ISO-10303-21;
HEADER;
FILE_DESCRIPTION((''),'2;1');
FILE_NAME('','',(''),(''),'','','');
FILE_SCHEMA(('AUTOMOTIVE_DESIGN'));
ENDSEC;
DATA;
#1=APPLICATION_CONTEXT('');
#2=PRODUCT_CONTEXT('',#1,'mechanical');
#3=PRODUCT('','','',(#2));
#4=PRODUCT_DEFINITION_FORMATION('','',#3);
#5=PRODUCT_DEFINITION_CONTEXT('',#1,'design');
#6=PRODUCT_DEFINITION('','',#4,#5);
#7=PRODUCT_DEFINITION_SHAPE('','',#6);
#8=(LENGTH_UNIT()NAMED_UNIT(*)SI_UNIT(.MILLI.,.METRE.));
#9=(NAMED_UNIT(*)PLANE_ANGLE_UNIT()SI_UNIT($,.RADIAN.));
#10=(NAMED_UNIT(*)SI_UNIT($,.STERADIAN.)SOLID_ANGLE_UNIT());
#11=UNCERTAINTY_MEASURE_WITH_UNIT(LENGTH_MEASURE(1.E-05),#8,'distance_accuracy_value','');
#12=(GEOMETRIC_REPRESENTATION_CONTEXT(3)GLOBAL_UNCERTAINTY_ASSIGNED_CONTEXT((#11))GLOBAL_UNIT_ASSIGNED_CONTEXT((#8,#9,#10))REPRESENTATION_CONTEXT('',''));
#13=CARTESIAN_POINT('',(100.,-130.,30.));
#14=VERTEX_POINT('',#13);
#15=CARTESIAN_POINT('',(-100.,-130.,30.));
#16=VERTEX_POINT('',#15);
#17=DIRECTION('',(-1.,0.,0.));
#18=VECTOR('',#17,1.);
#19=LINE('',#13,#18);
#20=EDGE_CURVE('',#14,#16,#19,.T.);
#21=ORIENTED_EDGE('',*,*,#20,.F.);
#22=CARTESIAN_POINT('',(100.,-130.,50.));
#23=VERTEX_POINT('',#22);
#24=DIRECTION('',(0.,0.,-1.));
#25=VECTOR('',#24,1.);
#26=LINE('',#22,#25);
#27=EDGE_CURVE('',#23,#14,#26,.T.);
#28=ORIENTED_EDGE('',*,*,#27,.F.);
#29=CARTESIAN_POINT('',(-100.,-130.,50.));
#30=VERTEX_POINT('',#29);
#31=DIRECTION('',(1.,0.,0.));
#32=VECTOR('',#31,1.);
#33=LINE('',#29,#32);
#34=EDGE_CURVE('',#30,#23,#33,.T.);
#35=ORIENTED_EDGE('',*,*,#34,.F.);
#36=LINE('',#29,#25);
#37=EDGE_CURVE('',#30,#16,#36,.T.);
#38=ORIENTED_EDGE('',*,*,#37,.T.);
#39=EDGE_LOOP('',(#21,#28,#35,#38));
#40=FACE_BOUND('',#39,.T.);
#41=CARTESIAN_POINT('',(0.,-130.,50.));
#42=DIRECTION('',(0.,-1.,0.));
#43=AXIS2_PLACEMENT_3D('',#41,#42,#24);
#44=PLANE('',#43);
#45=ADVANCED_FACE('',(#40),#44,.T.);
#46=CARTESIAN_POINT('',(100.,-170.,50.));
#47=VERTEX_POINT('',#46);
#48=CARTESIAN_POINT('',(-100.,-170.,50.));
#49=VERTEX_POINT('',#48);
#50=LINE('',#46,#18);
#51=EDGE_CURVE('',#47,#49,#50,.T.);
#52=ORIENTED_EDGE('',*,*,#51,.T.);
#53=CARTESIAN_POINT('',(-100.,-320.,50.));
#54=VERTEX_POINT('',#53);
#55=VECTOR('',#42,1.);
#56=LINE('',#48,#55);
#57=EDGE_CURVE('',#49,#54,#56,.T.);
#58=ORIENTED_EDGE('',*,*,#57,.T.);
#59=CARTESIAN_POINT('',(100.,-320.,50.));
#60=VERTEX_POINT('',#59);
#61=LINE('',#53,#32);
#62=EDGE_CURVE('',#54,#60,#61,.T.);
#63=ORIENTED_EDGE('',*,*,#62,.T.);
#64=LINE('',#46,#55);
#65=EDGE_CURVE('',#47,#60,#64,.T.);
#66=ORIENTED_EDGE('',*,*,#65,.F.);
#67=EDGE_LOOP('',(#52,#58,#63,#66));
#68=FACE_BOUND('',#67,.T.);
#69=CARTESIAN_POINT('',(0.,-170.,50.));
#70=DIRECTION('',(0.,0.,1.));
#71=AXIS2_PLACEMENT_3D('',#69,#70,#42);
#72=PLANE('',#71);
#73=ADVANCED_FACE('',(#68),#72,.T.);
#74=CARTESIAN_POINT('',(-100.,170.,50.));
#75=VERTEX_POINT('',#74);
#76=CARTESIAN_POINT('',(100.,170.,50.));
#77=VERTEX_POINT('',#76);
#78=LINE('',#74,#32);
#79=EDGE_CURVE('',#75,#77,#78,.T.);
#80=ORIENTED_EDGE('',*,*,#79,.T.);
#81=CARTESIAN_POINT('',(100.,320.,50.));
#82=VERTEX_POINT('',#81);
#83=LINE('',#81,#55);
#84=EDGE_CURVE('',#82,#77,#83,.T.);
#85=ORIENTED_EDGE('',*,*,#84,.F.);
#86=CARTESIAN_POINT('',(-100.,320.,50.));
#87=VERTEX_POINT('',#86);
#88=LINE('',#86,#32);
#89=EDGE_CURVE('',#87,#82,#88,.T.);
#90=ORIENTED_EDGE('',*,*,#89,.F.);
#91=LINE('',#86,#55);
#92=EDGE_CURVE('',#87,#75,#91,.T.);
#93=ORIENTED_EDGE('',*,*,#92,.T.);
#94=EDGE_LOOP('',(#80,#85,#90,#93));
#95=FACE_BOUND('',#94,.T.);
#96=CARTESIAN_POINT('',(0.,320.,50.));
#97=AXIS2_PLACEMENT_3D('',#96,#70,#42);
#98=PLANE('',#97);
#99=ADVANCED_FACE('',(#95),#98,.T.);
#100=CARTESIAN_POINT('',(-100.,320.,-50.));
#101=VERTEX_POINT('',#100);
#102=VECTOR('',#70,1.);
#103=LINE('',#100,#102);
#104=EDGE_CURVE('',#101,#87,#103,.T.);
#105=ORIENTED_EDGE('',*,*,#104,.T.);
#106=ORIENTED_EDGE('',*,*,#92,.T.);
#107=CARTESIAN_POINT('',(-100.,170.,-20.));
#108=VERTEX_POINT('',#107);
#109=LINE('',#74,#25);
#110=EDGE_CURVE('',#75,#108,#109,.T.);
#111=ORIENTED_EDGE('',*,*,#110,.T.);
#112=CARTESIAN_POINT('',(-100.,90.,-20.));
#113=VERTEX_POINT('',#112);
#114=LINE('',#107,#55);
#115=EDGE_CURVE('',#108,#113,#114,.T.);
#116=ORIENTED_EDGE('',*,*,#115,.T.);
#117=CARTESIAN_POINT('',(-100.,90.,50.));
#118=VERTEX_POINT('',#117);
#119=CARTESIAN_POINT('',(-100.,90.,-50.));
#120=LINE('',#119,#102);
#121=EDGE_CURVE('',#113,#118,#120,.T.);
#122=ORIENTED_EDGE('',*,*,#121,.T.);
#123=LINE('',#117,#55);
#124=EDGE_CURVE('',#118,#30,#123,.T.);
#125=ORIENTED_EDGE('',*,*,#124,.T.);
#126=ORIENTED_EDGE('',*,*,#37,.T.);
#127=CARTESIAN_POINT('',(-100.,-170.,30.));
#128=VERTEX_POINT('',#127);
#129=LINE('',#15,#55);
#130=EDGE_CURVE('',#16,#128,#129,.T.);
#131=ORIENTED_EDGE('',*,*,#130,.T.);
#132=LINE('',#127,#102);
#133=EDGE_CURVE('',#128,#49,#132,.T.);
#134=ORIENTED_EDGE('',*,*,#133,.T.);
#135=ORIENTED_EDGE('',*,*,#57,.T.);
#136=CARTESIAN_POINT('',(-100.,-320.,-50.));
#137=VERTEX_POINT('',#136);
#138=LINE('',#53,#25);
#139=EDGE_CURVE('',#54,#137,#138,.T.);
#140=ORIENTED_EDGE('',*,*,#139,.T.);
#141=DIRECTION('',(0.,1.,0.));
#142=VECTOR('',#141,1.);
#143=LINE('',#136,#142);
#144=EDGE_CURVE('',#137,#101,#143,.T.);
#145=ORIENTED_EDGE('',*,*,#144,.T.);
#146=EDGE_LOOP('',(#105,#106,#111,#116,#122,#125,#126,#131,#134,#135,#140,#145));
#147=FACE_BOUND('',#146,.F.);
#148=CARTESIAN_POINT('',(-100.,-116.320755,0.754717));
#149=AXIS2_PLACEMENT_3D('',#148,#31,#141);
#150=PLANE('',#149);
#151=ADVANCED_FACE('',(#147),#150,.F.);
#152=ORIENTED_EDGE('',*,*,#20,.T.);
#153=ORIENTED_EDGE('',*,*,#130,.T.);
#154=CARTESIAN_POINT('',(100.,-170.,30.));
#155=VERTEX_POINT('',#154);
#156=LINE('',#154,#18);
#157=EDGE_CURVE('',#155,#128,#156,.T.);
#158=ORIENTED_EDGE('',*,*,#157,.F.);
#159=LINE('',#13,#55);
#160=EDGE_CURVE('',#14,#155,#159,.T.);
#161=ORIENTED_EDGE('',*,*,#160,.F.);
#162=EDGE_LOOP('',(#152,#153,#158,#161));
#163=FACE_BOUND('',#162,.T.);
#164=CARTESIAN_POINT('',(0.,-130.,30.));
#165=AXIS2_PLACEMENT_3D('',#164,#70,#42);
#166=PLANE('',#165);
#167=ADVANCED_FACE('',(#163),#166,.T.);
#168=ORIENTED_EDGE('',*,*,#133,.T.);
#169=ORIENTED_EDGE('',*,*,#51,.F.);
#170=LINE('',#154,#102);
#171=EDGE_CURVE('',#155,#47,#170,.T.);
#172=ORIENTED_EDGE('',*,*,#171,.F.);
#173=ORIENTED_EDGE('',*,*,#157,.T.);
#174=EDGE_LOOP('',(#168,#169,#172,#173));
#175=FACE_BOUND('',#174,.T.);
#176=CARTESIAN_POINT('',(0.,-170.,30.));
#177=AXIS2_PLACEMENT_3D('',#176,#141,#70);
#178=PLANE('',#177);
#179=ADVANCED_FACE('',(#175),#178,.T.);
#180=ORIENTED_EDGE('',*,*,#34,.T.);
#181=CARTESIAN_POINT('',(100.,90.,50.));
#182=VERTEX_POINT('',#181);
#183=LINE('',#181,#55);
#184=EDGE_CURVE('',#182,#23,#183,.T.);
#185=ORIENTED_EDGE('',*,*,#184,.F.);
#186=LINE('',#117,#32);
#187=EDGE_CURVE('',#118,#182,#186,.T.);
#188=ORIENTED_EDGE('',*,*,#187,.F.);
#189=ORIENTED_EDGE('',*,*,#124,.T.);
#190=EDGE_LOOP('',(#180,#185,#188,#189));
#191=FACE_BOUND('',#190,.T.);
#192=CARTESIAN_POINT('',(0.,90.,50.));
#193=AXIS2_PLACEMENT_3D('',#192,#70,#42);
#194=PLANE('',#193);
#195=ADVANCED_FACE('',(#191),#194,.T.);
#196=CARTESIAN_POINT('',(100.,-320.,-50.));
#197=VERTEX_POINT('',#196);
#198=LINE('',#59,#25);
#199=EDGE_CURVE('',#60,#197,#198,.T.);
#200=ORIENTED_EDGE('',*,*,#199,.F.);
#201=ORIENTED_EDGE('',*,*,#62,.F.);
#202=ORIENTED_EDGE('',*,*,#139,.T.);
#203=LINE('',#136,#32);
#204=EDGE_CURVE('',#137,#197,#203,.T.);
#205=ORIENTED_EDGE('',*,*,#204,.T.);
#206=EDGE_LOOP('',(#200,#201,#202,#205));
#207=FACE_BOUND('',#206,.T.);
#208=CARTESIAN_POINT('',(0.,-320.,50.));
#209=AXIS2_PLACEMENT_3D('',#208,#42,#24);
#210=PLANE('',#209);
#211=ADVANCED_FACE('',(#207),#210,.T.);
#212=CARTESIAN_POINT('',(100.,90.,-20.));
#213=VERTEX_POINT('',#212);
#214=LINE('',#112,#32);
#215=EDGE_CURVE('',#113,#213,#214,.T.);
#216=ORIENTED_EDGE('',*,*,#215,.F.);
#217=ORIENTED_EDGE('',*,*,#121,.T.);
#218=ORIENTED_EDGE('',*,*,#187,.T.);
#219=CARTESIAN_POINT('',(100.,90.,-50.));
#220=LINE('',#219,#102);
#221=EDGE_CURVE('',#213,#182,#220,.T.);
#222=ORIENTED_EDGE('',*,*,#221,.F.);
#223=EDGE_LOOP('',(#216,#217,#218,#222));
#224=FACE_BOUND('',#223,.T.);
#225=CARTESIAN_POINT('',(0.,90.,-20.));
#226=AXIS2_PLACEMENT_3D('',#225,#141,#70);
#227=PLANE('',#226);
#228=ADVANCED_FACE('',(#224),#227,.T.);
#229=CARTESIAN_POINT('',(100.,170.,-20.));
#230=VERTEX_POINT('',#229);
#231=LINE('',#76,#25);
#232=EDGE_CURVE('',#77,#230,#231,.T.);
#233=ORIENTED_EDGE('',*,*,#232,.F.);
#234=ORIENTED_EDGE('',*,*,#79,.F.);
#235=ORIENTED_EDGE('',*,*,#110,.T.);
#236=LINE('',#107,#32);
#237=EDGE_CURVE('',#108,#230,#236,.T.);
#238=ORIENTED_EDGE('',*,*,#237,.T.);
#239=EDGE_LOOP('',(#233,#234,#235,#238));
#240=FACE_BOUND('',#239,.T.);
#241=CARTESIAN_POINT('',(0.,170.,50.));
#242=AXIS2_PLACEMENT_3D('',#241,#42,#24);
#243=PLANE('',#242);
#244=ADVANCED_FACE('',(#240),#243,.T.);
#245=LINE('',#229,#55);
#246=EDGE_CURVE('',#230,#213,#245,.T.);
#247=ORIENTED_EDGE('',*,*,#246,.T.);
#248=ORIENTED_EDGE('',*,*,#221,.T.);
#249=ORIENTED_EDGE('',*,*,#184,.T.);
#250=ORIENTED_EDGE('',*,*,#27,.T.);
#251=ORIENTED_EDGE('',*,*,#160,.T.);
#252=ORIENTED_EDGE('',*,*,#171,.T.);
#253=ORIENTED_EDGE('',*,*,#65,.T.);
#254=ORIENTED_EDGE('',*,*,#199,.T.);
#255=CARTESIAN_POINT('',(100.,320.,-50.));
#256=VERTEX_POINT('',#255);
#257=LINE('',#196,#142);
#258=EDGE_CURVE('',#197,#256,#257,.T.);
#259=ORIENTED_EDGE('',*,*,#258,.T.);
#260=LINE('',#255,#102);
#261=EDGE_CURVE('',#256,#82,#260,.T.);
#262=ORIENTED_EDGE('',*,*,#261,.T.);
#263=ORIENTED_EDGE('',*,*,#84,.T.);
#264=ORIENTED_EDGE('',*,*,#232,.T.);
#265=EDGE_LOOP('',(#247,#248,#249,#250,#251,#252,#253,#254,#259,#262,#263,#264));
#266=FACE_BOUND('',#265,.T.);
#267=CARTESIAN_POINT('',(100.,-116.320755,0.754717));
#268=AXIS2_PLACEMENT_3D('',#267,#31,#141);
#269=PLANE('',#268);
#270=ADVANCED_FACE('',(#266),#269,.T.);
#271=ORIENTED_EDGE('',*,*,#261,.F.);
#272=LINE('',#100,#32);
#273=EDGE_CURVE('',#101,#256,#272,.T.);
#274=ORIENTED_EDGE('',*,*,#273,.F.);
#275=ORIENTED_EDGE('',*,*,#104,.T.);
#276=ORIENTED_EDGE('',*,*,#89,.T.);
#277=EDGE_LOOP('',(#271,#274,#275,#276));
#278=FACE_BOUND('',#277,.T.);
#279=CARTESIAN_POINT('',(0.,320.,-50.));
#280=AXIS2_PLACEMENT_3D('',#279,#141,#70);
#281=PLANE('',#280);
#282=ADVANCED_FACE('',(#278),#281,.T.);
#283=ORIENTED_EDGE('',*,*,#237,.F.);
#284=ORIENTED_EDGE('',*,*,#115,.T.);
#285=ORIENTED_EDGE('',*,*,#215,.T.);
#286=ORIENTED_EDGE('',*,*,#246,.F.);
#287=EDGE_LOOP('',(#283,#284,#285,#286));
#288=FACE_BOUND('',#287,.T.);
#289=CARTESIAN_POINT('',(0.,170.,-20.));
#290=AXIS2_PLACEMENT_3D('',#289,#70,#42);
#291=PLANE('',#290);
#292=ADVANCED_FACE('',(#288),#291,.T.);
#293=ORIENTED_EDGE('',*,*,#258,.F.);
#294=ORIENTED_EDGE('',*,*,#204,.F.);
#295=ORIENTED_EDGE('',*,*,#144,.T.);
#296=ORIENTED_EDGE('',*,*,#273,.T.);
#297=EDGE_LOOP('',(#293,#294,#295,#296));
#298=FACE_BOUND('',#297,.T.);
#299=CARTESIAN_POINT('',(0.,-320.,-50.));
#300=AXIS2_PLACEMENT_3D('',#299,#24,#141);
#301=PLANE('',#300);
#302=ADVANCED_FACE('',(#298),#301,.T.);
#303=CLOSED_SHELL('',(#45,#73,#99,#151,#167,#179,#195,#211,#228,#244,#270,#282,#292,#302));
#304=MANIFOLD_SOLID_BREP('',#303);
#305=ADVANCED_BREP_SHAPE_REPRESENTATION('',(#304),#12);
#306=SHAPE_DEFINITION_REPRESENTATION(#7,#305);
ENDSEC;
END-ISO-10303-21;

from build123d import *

# Parameters (mm, degrees)
F0_W     = 40
F0_H     = 30
F1_DEPTH = 100


with BuildPart() as f1:
    # F0 (on Right) → F1 (new body, symmetric)
    with BuildSketch(Plane.YZ):
        Polygon((-170, 50), (-320, 50), (-320, -50), (90, -50), (90, -20), (90, 50), (-130, 50), (-130, 30), (-170, 30), align=None)
        with Locations((110, -35)):
            Rectangle(F0_W, F0_H)
        with Locations((150, -35)):
            Rectangle(F0_W, F0_H)
        Polygon((170, -20), (170, -50), (320, -50), (320, 50), (170, 50), align=None)
    extrude(amount=F1_DEPTH, both=True)


solid = f1.part
